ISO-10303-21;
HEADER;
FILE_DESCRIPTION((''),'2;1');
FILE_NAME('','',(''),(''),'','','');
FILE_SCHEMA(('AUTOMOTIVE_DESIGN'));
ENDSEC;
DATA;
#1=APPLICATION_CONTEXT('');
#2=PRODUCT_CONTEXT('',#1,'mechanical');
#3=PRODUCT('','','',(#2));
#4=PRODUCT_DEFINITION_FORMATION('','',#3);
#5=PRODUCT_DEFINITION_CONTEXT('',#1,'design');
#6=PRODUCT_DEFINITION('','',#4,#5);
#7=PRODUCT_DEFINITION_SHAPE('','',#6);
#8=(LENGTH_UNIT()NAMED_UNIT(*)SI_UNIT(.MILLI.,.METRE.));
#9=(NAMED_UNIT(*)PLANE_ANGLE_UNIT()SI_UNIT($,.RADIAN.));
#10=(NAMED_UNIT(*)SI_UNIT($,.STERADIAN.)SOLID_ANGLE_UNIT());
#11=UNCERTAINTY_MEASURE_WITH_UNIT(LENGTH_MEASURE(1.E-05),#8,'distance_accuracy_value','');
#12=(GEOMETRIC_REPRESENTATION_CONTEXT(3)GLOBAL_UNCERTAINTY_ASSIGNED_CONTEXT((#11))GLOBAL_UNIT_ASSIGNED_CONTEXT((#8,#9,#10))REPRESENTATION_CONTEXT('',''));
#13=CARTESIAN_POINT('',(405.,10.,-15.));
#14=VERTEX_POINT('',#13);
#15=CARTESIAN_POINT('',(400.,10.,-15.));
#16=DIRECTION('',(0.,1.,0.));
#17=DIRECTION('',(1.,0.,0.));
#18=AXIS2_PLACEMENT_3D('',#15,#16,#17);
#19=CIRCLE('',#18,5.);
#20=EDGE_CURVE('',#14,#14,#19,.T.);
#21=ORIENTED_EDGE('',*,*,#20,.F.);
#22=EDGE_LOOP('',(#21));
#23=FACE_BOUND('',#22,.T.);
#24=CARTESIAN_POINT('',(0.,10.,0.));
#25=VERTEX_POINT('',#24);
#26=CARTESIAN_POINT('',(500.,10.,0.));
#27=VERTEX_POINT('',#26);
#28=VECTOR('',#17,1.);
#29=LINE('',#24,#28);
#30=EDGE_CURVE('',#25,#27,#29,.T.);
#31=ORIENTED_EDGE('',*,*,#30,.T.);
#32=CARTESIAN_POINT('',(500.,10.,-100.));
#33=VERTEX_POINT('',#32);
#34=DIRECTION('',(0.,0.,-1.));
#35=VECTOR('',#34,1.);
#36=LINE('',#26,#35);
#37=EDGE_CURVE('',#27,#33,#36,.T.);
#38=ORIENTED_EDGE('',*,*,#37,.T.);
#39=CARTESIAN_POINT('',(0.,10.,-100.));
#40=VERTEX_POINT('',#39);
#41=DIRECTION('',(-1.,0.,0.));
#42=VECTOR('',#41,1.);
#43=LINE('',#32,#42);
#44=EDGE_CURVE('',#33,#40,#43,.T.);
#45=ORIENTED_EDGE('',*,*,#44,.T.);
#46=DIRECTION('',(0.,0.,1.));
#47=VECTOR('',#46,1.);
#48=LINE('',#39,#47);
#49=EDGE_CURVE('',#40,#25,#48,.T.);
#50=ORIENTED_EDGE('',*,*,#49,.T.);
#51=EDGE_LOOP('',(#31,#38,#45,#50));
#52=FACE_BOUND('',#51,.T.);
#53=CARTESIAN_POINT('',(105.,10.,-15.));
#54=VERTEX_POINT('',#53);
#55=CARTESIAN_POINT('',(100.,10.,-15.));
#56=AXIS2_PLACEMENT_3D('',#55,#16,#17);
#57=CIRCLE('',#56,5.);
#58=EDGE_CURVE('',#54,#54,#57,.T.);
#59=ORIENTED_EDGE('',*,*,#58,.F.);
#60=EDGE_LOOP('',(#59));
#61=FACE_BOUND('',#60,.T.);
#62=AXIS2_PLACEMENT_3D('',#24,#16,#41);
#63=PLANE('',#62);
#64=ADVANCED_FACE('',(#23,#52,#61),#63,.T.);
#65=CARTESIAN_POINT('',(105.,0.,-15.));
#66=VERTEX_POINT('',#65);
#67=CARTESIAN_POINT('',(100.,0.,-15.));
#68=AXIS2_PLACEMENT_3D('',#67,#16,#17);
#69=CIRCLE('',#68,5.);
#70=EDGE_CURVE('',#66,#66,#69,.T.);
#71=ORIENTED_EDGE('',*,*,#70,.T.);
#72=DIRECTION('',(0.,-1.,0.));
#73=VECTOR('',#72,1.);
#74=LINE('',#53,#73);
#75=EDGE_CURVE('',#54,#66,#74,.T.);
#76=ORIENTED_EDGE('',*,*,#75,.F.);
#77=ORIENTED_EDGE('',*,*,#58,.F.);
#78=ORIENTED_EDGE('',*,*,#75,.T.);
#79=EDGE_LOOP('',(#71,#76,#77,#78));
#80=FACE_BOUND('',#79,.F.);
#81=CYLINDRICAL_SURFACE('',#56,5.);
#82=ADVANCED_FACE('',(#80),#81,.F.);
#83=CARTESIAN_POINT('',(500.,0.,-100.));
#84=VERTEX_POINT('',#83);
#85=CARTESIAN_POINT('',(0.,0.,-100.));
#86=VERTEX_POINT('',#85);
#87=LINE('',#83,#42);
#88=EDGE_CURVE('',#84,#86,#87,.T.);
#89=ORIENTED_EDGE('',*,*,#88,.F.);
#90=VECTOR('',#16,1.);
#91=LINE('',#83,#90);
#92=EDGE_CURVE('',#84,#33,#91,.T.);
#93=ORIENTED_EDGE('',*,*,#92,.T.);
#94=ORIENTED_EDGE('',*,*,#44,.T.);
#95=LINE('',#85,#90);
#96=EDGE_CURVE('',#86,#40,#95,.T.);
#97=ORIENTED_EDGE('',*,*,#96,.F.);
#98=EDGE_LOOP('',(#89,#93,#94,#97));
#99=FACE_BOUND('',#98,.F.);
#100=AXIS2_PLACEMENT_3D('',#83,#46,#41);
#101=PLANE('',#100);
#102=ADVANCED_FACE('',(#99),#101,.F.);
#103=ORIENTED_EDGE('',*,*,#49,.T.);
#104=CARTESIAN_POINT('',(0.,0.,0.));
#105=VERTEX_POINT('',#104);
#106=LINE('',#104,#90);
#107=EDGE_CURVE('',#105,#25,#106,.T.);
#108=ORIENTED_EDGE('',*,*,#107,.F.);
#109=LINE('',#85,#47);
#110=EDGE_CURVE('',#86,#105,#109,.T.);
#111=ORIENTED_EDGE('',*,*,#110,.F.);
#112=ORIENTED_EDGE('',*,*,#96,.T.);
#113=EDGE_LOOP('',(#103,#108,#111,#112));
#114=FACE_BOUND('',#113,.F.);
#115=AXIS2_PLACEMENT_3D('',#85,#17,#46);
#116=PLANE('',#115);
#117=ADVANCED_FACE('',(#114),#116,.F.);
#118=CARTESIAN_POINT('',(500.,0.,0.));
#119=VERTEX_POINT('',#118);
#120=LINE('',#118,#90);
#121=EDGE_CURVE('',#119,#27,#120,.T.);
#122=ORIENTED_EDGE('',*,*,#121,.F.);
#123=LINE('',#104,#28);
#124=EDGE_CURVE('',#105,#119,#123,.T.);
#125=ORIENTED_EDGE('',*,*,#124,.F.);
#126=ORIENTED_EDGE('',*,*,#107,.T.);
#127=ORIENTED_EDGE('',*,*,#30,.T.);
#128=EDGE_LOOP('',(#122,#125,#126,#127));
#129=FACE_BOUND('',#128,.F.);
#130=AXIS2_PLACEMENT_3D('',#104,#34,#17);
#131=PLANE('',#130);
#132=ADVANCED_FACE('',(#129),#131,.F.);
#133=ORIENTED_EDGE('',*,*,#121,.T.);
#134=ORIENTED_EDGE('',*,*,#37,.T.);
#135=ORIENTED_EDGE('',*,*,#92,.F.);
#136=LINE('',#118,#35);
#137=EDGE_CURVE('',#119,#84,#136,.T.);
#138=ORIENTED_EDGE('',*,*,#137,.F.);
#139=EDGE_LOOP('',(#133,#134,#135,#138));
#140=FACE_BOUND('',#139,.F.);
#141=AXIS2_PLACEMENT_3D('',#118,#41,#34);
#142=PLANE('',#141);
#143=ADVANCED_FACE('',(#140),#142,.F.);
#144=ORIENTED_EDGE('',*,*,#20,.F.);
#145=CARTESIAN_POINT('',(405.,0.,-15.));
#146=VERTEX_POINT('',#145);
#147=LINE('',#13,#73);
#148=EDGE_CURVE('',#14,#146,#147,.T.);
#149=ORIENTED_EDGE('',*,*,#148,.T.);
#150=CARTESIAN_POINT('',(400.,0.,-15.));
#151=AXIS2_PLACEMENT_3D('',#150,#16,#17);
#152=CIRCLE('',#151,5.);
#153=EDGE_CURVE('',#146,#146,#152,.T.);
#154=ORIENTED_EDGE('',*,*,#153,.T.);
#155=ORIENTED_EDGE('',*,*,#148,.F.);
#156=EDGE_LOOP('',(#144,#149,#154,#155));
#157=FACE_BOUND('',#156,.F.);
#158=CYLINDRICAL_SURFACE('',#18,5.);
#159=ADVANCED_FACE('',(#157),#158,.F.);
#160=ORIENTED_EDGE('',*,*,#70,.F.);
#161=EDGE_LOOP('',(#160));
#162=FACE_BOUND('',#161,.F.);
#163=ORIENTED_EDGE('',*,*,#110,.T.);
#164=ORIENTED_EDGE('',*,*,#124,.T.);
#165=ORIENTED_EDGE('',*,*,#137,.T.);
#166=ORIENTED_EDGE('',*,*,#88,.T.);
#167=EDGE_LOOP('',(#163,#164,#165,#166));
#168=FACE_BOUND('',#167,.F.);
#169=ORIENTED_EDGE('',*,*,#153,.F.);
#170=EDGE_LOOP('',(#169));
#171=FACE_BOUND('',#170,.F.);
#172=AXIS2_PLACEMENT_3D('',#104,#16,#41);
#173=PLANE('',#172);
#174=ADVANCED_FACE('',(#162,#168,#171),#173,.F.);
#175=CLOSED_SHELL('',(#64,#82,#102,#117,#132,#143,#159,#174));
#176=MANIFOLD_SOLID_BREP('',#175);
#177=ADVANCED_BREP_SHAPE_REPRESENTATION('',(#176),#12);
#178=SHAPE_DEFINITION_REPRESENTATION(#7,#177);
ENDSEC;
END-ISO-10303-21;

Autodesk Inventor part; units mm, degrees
ref_plane "YZ Plane" through (0, 0, 0) normal (1, 0, 0) x (0, 1, 0)
ref_plane "XZ Plane" through (0, 0, 0) normal (0, 1, 0) x (-1, 0, 0)
ref_plane "XY Plane" through (0, 0, 0) normal (0, 0, 1) x (1, 0, 0)
sketch "Sketch1" plane through (0, 0, 0) normal (0, 1, 0) x (-1, 0, 0)
  line L0 (0, 0) -> (-500, 0)
  line L1 (-500, 0) -> (-500, -100)
  line L2 (-500, -100) -> (0, -100)
  line L3 (0, -100) -> (0, 0)
  dimension "d0" = 500
  dimension "d1" = 100
extrude "Extrusion1" add sketch "Sketch1" along normal blind 10
sketch "Sketch2" plane through (0, 10, 0) normal (0, 1, 0) x (1, 0, 0)
  point P0 (0, 0)
sketch "Sketch3" plane through (0, 10, 0) normal (0, 1, 0) x (1, 0, 0)
  circle A0 centre (100, 15) radius 5
  circle A1 centre (400, 15) radius 5
  line L0 (0, 0) -> (500, 0) projected
  line L1 (500, 0) -> (500, 100) projected
  line L2 (0, 100) -> (0, 0) projected
  dimension "d5" = 10
  dimension "d6" = 10
  dimension "d7" = 15
  dimension "d8" = 15
  dimension "d9" = 100
  dimension "d10" = 100
extrude "Extrusion2" cut sketch "Sketch3" against normal blind 10
equation "\"d6\" = d5"
equation "\"d8\" = d7"
equation "\"d10\" = d9"
properties part number "blend_10cm"
